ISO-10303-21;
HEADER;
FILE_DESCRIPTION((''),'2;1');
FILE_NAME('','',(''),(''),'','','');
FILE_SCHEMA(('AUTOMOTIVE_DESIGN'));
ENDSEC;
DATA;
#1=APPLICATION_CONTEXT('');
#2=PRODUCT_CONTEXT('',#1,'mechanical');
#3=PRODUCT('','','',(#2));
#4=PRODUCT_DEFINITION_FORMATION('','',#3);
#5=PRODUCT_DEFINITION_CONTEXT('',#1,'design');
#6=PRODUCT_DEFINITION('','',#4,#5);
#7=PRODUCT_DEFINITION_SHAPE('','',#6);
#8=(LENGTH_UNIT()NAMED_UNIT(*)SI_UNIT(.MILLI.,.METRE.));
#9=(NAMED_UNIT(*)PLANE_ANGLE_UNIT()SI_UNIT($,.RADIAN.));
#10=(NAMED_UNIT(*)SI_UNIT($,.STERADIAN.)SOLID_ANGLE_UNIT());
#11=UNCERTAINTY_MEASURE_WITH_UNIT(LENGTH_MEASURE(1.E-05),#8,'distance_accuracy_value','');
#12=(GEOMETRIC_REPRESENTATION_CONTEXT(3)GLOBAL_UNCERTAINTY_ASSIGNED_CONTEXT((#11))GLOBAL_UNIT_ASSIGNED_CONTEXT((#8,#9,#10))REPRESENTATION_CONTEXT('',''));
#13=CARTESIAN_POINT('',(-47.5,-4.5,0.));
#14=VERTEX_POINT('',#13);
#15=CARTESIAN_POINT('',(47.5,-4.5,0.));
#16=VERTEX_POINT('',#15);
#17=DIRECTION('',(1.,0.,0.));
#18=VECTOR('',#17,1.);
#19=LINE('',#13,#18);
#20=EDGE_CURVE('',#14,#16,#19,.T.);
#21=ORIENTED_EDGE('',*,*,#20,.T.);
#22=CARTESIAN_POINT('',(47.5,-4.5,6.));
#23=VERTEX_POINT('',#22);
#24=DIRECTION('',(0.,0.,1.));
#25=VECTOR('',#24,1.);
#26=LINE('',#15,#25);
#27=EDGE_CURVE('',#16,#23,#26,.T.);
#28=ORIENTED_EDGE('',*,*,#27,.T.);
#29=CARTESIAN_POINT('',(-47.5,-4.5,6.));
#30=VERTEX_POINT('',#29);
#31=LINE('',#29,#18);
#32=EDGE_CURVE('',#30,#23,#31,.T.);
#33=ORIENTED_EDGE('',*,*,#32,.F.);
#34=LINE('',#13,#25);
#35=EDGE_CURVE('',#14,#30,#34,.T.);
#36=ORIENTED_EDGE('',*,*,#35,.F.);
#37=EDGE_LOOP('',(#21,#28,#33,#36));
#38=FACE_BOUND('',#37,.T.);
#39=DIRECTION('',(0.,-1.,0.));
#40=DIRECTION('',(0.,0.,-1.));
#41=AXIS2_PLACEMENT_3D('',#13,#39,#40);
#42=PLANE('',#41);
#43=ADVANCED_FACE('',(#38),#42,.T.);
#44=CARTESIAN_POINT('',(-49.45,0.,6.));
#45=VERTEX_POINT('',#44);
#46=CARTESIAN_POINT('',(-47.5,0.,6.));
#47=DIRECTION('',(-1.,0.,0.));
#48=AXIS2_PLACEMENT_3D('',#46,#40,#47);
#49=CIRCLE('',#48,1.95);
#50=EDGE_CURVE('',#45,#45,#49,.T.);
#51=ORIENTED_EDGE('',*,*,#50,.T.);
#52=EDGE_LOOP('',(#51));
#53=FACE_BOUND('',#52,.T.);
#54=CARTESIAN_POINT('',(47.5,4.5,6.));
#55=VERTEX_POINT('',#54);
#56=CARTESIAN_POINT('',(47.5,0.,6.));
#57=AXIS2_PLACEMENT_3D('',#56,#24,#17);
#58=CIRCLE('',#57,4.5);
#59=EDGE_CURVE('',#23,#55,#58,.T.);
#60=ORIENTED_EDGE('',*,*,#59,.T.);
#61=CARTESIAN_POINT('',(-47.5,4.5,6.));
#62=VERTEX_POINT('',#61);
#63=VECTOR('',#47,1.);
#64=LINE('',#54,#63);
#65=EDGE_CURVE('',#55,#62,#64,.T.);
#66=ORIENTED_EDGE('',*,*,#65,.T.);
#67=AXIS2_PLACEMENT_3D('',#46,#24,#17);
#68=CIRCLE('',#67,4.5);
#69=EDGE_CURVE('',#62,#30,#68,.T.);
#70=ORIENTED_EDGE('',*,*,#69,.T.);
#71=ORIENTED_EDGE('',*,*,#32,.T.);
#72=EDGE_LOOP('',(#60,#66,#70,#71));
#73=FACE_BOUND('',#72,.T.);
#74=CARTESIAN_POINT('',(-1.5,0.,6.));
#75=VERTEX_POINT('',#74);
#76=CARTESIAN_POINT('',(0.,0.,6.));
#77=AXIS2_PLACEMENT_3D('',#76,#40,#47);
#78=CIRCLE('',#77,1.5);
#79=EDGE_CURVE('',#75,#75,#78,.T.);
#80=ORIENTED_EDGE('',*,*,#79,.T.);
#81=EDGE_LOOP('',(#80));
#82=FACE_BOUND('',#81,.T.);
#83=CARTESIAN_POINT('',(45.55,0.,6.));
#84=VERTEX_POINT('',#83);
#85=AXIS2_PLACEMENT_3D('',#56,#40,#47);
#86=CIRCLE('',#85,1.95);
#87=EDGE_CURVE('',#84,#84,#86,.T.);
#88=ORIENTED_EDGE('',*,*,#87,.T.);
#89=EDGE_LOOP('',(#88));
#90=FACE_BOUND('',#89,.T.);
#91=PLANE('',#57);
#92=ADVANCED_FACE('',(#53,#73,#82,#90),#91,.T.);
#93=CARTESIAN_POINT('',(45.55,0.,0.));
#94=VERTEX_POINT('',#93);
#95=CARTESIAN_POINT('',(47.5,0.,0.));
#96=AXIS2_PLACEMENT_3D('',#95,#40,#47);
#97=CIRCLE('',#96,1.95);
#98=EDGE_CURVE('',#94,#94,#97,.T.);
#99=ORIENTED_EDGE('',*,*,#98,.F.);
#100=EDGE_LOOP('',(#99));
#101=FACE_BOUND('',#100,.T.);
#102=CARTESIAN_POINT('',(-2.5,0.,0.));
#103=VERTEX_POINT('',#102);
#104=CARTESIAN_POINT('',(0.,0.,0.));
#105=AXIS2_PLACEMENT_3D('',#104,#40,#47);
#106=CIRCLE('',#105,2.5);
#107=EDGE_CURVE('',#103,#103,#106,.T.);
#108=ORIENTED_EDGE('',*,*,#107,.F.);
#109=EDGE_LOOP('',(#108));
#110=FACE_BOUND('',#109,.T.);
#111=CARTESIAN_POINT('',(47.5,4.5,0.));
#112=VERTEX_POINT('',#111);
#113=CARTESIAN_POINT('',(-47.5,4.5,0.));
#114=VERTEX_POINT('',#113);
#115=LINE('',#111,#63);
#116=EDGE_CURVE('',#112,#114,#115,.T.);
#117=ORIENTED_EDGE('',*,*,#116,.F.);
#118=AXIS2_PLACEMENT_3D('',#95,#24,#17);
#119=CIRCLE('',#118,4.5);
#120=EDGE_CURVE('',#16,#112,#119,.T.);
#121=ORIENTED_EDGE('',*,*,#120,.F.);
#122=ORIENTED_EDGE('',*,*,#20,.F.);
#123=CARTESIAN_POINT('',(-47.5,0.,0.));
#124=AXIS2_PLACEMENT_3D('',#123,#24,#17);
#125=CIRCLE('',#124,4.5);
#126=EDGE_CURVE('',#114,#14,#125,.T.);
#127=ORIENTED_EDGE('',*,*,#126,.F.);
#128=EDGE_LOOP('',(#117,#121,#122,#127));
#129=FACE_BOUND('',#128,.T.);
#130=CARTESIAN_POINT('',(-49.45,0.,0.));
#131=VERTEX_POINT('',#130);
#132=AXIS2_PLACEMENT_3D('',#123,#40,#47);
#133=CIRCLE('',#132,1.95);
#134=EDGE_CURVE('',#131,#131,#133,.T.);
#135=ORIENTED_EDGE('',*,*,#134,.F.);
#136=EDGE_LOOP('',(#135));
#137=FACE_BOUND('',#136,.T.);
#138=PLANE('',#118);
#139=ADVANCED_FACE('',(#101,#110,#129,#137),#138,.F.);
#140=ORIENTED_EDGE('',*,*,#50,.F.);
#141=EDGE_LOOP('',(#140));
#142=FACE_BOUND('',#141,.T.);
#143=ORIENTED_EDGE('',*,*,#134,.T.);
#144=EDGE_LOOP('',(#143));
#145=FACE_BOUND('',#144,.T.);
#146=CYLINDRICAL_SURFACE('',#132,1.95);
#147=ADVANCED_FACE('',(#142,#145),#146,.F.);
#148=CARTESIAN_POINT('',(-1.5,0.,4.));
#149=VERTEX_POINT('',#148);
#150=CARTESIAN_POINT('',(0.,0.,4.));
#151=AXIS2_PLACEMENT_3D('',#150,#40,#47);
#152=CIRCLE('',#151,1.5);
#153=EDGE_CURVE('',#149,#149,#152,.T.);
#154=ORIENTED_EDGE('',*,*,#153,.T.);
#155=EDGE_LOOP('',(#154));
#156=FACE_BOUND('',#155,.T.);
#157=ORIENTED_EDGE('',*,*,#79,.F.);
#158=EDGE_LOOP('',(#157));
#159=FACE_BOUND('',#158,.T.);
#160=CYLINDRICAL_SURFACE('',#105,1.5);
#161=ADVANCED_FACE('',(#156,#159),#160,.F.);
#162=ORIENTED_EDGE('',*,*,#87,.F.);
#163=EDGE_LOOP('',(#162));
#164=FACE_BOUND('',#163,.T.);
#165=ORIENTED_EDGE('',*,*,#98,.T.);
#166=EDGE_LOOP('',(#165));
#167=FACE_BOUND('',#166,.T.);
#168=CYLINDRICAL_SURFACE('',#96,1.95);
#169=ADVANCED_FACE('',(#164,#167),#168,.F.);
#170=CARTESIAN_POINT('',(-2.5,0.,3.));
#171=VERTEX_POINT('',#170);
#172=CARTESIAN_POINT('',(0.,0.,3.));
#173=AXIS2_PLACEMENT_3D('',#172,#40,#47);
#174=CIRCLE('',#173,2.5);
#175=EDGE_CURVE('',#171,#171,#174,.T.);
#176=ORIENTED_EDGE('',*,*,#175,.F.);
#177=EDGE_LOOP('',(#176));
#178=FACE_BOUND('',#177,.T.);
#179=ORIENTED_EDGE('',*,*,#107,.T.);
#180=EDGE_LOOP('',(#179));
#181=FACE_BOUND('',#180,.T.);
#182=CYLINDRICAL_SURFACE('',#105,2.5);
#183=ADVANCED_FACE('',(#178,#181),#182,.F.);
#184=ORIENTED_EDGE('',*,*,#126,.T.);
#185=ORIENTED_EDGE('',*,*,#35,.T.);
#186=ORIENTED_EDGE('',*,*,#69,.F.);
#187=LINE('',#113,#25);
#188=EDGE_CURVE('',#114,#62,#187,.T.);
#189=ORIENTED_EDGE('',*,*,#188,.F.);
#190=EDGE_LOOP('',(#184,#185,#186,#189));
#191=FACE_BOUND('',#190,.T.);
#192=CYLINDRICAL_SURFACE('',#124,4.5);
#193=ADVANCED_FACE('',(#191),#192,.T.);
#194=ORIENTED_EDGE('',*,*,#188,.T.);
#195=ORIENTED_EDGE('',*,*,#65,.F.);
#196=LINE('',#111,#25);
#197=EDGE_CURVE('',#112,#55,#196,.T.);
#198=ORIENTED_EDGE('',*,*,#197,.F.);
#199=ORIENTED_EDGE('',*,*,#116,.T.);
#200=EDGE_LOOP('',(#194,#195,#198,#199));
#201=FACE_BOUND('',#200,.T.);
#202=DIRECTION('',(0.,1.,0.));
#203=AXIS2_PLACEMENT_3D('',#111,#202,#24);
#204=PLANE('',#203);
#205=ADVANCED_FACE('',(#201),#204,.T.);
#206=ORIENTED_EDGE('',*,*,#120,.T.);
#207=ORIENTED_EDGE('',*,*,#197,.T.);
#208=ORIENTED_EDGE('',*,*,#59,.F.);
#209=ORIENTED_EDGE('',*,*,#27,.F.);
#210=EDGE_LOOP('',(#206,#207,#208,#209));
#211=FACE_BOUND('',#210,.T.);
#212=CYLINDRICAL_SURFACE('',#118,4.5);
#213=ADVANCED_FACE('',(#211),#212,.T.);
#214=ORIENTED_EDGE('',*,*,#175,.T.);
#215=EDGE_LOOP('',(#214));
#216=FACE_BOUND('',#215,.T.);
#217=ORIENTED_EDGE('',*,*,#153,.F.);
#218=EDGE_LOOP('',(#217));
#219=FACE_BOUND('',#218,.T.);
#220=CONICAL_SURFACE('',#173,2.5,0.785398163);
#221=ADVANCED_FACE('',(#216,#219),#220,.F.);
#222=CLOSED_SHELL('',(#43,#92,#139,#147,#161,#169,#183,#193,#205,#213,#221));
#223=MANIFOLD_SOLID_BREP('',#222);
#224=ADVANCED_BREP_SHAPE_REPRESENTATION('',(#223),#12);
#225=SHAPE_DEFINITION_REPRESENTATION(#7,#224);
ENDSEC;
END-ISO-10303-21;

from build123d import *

# Parameters (mm, degrees)
BOSS_EXTRUDE1_DEPTH        = 6
F_3_9_3_9_DIAMETER_HOLE1_D = 3.9


with BuildPart() as part:
    # Sketch1 → Boss-Extrude1 (new body)
    with BuildSketch(Plane.XY.offset(6)):
        with BuildLine():
            Line((47.5, 4.5), (-47.5, 4.5))
            ThreePointArc((-47.5, 4.5), (-52, 0), (-47.5, -4.5))
            Line((-47.5, -4.5), (47.5, -4.5))
            ThreePointArc((47.5, -4.5), (52, 0), (47.5, 4.5))
        make_face()
    extrude(amount=-BOSS_EXTRUDE1_DEPTH)

    # Ø3.9 (3.9) Diameter Hole1 (through all)
    with Locations(Plane(origin=(0, 0, 0), x_dir=(-1, 0, 0), z_dir=(0, 0, -1))):
        with Locations((47.5, 0), (-47.5, 0)):
            Hole(F_3_9_3_9_DIAMETER_HOLE1_D / 2)

    # Sketch4 → CSK for M2.5 Flat Head Machine Screw1 (revolve, cut)
    with BuildSketch(Plane.YZ):
        Polygon((0, 0), (0, 6), (1.5, 6), (1.5, 4), (2.5, 3), (2.5, 0), align=None)
    revolve(axis=Axis((0, 0, -6.35), (0, 0, 1)), mode=Mode.SUBTRACT)


solid = part.part
